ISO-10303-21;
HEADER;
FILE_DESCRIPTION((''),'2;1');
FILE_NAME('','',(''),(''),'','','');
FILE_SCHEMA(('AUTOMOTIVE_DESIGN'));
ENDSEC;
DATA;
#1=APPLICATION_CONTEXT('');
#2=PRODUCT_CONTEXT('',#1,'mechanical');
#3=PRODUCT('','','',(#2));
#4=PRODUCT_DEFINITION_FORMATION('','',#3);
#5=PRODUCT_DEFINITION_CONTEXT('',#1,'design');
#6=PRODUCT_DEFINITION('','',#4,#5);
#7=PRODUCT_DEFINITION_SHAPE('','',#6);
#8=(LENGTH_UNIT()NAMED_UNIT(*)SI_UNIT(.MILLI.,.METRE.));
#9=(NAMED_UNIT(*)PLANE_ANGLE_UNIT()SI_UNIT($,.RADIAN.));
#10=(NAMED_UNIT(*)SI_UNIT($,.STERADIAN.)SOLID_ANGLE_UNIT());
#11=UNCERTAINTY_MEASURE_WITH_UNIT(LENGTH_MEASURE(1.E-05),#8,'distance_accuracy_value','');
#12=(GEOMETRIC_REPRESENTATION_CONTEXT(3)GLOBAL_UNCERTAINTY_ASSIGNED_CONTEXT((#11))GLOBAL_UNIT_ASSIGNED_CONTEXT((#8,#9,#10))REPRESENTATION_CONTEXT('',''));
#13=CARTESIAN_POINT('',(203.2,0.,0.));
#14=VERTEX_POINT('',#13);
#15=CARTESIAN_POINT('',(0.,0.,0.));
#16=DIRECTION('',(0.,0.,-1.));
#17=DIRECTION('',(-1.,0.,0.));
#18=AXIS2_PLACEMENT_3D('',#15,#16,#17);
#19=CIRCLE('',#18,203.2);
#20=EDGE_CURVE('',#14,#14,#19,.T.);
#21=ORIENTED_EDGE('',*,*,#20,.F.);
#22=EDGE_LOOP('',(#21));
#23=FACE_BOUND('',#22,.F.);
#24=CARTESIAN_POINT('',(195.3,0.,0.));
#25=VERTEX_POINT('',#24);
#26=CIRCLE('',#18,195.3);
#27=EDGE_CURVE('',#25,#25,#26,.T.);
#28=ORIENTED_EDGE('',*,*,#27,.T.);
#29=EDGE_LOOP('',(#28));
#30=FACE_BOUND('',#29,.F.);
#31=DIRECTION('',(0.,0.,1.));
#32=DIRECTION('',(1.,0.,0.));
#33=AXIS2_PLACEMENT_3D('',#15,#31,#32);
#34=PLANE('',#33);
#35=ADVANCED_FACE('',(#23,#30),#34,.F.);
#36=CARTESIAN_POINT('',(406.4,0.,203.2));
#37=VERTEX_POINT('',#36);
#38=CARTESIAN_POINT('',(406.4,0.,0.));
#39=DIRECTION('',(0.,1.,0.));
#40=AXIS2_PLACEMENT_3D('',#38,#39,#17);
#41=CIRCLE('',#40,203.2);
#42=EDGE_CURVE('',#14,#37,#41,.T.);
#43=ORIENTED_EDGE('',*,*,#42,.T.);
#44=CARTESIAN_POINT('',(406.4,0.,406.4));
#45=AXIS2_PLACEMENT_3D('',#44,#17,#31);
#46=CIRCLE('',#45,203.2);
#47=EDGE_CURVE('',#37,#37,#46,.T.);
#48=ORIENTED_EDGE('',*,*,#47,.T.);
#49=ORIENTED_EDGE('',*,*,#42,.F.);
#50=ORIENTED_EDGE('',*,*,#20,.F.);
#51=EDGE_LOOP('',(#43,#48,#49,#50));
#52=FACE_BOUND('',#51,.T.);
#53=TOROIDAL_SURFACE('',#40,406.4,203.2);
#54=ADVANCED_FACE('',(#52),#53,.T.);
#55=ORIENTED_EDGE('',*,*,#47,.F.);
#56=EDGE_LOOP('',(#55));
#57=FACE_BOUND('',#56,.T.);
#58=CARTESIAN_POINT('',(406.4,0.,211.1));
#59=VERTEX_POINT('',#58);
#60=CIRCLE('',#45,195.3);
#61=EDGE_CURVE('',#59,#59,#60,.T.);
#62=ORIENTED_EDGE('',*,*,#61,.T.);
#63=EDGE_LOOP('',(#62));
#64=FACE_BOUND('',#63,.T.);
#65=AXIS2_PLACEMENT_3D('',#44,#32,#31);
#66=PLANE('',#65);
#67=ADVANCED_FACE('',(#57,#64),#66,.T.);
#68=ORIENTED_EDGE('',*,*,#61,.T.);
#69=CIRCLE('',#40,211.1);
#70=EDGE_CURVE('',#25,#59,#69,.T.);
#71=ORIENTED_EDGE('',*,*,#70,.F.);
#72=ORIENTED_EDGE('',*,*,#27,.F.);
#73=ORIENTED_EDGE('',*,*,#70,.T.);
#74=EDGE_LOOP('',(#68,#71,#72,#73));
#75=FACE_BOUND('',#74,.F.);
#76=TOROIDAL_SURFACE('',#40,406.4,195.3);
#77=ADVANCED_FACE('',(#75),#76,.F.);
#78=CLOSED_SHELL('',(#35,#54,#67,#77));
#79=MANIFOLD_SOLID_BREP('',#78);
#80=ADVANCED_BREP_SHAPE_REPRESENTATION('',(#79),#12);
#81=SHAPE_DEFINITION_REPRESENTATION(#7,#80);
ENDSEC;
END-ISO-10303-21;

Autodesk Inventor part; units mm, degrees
ref_plane "YZ Plane" through (0, 0, 0) normal (1, 0, 0) x (0, 1, 0)
ref_plane "XZ Plane" through (0, 0, 0) normal (0, 1, 0) x (-1, 0, 0)
ref_plane "XY Plane" through (0, 0, 0) normal (0, 0, 1) x (1, 0, 0)
sketch "Sketch1" plane through (0, 0, 0) normal (0, 0, 1) x (1, 0, 0)
  circle A0 centre (0, 0) radius 195.3
  circle A1 centre (0, 0) radius 203.2
  dimension "d0" = 390.6
  dimension "d1" = 406.4
sketch "Sketch2" plane through (0, 0, 0) normal (0, 1, 0) x (-1, 0, 0)
  line L0 (0, 0) -> (0, 406.4) construction
  line L1 (0, 406.4) -> (-406.4, 406.4) construction
  arc A0 (0, 0) -> (-406.4, 406.4) centre (-406.4, 0) ccw
  dimension "d2" = 406.4
  dimension "d3" = 90
  dimension "d4" = 406.4
sweep "Sweep1" add profiles "Sketch1" path "Sketch2"
equation "\"d0\" = D - 2 * T"
equation "\"d1\" = D"
equation "\"d2\" = F1"
equation "\"d4\" = F1"
equation "\"D\" = 406.4"
equation "\"F1\" = 406.4"
equation "\"T\" = 7.9"
equation "\"Size_Designation\" = 1.2345"
properties part number "JIS B 2311 90 Deg Short Elbow Steel - 400A" material "Steel"
